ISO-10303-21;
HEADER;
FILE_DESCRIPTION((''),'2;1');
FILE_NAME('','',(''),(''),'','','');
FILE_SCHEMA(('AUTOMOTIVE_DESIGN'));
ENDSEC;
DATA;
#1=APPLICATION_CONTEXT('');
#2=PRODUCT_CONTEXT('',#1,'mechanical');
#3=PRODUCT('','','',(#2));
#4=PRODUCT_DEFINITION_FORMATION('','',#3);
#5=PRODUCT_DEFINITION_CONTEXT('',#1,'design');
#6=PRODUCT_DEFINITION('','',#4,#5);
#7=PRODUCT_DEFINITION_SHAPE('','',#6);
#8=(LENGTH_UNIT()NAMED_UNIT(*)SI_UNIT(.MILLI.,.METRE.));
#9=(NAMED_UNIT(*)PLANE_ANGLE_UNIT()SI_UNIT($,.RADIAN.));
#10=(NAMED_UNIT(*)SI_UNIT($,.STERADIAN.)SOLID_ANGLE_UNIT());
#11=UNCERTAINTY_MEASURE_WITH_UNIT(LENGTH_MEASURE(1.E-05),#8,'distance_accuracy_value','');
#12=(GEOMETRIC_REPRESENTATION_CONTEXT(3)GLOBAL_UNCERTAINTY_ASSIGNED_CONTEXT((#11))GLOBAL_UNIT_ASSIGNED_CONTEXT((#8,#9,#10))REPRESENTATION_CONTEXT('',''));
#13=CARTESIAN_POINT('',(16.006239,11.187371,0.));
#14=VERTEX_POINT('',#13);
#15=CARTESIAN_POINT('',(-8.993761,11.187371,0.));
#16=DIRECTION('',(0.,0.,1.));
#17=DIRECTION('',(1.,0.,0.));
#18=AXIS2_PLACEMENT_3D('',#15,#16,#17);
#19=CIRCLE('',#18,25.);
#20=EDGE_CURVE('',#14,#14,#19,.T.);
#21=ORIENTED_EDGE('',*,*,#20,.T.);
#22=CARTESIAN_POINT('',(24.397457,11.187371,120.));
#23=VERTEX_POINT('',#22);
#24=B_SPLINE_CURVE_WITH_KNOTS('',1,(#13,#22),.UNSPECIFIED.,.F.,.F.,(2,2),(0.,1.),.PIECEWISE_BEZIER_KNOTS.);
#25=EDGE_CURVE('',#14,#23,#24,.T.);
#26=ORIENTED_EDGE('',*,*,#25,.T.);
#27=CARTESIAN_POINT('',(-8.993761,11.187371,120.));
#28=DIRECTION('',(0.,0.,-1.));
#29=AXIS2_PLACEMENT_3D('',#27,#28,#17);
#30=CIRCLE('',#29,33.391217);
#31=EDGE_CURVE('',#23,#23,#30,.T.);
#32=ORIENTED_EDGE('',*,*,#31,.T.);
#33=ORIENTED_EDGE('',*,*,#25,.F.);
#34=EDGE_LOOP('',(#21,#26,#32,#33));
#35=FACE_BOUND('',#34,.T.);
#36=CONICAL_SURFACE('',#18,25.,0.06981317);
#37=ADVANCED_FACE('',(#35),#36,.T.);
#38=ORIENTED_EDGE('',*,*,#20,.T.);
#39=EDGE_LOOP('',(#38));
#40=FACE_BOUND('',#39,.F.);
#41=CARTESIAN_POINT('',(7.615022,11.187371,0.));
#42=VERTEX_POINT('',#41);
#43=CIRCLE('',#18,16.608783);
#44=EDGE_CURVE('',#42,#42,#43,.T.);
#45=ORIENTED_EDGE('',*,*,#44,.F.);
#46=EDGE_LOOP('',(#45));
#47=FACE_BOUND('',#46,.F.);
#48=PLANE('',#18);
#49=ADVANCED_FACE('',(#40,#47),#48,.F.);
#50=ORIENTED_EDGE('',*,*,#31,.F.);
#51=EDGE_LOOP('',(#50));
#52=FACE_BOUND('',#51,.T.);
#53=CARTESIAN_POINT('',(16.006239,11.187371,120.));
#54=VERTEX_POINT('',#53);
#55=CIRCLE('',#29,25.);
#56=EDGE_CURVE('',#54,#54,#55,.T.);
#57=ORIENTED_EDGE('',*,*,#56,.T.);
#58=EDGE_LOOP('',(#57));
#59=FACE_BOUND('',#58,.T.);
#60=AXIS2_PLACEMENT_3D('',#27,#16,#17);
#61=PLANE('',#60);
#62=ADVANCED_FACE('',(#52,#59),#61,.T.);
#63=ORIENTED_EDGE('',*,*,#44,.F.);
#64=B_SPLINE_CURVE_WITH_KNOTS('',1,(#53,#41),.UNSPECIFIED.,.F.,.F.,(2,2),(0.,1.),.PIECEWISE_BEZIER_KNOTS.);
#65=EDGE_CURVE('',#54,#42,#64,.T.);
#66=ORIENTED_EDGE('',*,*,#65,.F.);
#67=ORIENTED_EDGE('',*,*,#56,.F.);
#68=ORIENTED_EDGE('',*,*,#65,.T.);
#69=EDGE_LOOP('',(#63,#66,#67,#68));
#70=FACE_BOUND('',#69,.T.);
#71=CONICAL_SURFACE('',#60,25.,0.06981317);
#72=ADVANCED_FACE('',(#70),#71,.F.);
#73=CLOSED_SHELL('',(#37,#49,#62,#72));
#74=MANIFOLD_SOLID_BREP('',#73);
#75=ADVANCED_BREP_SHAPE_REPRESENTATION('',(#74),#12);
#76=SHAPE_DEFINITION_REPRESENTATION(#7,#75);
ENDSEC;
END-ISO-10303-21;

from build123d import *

# Parameters (mm, degrees)
F0_R     = 25
F1_DEPTH = 120
F1_TAPER = -4
F2_R     = 25
F3_DEPTH = 120
F3_TAPER = 4


with BuildPart() as f1:
    # F0 (on Top) → F1 (new body)
    with BuildSketch(Plane.XY):
        with Locations((-8.9937606826, 11.1873708665)):
            Circle(F0_R)
    extrude(amount=F1_DEPTH, taper=F1_TAPER)

    # F2 (on face) → F3 (cut, through all)
    with BuildSketch(Plane.XY.offset(120)):
        with Locations((-8.9937606826, 11.1873708665)):
            Circle(F2_R)
    extrude(amount=-F3_DEPTH, taper=F3_TAPER, mode=Mode.SUBTRACT)


solid = f1.part
